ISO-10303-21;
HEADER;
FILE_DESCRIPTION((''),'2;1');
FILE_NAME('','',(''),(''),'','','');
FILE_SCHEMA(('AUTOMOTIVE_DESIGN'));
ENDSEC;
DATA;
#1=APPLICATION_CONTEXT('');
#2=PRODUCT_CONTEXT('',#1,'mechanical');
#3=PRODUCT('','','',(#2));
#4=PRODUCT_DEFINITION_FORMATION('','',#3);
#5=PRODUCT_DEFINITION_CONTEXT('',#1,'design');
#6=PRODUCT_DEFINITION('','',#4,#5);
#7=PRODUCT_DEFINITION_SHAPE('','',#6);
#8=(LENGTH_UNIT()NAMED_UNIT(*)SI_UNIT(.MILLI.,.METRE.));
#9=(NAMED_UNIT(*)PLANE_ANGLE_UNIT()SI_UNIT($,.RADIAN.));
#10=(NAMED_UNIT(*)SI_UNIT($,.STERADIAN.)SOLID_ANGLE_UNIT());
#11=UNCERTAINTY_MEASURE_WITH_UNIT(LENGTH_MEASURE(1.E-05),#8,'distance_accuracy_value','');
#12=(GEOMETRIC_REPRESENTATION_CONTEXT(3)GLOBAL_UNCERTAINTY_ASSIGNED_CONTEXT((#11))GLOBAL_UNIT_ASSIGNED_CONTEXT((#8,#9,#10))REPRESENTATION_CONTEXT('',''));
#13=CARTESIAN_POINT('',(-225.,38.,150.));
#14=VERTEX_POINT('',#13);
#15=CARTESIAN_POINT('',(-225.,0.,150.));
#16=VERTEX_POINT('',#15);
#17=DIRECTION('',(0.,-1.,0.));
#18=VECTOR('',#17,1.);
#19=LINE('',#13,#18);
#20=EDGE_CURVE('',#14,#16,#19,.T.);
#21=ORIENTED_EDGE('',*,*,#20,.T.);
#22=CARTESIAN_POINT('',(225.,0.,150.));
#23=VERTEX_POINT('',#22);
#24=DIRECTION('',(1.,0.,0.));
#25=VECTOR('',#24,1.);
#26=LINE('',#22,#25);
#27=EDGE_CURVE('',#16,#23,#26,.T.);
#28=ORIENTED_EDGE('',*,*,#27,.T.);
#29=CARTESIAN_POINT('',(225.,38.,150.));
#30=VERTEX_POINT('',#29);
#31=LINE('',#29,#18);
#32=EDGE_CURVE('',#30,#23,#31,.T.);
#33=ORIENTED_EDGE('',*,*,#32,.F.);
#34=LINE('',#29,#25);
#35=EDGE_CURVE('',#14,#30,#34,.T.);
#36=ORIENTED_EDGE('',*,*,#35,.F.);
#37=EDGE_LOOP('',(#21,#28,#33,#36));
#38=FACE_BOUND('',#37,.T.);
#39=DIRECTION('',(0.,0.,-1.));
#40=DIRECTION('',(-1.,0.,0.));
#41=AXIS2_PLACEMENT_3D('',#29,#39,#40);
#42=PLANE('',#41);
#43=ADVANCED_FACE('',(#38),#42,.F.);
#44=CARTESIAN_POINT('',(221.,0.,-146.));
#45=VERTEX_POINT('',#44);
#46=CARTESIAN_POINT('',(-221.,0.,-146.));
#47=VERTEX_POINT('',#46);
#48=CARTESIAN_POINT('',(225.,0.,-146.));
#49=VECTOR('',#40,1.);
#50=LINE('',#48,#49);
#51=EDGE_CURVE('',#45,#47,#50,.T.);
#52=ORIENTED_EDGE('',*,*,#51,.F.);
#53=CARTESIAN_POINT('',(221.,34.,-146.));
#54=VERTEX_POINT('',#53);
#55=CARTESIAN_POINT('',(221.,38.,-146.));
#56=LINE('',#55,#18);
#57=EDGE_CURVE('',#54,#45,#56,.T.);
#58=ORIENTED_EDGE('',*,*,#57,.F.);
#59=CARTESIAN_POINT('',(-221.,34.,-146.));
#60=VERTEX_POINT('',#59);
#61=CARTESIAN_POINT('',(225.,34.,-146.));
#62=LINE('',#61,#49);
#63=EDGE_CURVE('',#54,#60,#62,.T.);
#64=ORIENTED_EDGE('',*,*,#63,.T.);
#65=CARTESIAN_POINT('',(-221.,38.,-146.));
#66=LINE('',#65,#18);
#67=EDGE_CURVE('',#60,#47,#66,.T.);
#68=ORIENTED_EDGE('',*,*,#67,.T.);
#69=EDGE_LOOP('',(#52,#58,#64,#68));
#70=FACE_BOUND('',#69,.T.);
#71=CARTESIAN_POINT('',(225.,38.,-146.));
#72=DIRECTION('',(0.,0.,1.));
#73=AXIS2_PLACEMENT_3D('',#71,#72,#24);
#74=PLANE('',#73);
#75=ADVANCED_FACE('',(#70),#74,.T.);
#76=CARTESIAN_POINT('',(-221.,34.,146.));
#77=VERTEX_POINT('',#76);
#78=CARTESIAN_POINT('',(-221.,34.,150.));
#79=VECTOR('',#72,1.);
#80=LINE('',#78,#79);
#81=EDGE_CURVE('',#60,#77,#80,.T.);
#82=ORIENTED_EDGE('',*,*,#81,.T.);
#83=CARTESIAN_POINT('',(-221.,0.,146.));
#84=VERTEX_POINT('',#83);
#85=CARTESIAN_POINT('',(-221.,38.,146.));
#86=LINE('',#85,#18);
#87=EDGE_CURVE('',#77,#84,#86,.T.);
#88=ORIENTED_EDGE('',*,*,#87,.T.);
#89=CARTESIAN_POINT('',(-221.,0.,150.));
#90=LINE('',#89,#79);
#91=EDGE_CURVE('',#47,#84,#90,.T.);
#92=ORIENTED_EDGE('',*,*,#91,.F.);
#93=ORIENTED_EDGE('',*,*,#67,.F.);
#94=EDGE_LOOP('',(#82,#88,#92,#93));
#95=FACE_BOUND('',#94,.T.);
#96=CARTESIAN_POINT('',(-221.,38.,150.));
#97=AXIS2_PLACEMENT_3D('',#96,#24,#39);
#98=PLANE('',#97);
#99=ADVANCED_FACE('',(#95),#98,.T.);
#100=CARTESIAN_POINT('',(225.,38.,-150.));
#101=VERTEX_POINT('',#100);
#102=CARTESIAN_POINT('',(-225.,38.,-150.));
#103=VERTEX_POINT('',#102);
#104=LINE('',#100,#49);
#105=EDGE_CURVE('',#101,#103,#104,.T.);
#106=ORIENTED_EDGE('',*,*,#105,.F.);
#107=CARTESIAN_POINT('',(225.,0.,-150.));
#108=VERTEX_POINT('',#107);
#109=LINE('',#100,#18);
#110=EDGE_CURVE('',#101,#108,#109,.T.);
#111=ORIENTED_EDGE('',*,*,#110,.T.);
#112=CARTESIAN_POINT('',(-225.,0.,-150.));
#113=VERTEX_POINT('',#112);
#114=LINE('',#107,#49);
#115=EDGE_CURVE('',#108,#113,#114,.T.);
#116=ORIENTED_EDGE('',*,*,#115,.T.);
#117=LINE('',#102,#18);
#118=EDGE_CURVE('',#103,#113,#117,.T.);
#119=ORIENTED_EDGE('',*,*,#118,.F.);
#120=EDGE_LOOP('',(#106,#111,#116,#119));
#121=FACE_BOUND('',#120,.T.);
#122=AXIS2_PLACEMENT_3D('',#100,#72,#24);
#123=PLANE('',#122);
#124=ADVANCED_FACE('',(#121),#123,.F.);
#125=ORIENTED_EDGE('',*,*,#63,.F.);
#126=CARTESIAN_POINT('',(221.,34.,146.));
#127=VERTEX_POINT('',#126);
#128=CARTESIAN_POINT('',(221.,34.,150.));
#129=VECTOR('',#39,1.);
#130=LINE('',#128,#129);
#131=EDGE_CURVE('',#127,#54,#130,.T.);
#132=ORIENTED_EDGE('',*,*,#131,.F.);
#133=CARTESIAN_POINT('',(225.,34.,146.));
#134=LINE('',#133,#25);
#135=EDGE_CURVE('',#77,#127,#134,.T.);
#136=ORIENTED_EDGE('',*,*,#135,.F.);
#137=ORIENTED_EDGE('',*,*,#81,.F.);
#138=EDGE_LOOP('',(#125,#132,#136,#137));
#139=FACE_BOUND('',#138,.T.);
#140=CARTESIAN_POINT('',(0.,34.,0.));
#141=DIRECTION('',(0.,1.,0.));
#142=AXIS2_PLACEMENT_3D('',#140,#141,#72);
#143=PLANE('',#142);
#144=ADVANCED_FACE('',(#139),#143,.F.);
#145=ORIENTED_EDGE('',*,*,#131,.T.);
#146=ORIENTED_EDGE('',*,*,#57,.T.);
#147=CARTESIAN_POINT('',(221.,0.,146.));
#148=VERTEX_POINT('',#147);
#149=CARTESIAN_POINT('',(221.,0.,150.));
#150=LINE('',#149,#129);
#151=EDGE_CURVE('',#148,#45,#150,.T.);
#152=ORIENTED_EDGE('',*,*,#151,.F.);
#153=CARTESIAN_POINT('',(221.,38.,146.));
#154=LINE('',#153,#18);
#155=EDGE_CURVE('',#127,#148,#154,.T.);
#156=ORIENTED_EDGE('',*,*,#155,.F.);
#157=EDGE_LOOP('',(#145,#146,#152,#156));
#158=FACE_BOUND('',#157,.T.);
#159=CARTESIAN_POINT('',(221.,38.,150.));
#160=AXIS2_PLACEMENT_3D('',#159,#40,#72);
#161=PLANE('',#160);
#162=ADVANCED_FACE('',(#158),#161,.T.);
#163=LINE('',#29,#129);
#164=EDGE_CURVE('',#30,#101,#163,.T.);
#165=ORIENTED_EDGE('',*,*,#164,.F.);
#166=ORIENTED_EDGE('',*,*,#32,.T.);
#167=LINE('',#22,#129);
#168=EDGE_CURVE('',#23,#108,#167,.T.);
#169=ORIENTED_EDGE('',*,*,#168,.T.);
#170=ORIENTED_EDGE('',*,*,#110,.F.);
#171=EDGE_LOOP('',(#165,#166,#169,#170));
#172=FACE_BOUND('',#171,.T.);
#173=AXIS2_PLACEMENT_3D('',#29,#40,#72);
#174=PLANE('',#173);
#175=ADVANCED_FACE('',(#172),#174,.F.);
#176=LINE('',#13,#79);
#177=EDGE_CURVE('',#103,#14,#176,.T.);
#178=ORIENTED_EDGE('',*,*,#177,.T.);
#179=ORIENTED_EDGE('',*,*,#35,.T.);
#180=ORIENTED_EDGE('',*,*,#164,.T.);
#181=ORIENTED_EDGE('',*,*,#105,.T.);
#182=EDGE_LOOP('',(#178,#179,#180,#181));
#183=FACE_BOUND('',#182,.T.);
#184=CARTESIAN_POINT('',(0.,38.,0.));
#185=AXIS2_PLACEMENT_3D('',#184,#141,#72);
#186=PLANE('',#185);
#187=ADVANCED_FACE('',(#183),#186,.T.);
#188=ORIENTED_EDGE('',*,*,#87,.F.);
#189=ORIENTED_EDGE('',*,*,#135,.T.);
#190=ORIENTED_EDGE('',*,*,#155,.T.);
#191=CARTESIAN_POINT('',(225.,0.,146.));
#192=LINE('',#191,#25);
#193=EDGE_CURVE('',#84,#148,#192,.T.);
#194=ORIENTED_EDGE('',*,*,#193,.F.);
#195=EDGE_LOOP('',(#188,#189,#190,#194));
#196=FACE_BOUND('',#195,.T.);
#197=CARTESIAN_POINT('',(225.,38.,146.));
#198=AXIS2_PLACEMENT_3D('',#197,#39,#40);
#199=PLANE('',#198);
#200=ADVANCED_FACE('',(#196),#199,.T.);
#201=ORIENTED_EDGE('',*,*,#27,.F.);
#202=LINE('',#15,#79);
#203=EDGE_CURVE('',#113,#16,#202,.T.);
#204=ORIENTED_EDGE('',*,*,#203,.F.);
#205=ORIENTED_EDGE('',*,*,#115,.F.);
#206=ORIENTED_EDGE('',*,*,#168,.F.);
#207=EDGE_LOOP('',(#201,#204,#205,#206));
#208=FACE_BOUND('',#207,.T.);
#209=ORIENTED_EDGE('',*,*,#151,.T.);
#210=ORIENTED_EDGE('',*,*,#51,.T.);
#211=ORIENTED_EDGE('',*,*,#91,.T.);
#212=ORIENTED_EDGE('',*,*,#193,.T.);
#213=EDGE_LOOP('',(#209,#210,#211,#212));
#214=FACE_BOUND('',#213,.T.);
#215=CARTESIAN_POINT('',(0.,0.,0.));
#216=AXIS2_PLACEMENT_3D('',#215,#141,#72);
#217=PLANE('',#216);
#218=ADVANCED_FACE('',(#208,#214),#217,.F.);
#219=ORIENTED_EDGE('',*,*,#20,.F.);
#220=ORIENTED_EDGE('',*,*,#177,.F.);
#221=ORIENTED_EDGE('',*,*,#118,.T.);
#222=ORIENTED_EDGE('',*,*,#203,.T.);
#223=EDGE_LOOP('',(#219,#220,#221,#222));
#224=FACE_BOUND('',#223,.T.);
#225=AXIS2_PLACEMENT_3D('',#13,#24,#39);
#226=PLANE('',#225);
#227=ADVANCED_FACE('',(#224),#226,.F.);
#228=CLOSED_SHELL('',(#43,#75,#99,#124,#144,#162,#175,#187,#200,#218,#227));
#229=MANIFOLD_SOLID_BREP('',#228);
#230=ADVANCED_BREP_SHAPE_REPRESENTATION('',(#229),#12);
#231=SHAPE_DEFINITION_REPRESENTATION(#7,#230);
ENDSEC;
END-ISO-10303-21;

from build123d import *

# Parameters (mm, degrees)
SKETCH1_W           = 450
SKETCH1_H           = 300
BOSS_EXTRUDE1_DEPTH = 38
SHELL1_T            = -4


with BuildPart() as part:
    # Sketch1 → Boss-Extrude1 (new body)
    with BuildSketch(Plane(origin=(0, 0, 0), x_dir=(1, 0, 0), z_dir=(0, 1, 0))):
        Rectangle(SKETCH1_W, SKETCH1_H)
    extrude(amount=BOSS_EXTRUDE1_DEPTH)

    # Shell1
    shell1_openings = [part.faces().sort_by_distance(p)[0] for p in [
        (0, 0, 0),
    ]]
    offset(amount=SHELL1_T, openings=shell1_openings, kind=Kind.INTERSECTION)


solid = part.part
